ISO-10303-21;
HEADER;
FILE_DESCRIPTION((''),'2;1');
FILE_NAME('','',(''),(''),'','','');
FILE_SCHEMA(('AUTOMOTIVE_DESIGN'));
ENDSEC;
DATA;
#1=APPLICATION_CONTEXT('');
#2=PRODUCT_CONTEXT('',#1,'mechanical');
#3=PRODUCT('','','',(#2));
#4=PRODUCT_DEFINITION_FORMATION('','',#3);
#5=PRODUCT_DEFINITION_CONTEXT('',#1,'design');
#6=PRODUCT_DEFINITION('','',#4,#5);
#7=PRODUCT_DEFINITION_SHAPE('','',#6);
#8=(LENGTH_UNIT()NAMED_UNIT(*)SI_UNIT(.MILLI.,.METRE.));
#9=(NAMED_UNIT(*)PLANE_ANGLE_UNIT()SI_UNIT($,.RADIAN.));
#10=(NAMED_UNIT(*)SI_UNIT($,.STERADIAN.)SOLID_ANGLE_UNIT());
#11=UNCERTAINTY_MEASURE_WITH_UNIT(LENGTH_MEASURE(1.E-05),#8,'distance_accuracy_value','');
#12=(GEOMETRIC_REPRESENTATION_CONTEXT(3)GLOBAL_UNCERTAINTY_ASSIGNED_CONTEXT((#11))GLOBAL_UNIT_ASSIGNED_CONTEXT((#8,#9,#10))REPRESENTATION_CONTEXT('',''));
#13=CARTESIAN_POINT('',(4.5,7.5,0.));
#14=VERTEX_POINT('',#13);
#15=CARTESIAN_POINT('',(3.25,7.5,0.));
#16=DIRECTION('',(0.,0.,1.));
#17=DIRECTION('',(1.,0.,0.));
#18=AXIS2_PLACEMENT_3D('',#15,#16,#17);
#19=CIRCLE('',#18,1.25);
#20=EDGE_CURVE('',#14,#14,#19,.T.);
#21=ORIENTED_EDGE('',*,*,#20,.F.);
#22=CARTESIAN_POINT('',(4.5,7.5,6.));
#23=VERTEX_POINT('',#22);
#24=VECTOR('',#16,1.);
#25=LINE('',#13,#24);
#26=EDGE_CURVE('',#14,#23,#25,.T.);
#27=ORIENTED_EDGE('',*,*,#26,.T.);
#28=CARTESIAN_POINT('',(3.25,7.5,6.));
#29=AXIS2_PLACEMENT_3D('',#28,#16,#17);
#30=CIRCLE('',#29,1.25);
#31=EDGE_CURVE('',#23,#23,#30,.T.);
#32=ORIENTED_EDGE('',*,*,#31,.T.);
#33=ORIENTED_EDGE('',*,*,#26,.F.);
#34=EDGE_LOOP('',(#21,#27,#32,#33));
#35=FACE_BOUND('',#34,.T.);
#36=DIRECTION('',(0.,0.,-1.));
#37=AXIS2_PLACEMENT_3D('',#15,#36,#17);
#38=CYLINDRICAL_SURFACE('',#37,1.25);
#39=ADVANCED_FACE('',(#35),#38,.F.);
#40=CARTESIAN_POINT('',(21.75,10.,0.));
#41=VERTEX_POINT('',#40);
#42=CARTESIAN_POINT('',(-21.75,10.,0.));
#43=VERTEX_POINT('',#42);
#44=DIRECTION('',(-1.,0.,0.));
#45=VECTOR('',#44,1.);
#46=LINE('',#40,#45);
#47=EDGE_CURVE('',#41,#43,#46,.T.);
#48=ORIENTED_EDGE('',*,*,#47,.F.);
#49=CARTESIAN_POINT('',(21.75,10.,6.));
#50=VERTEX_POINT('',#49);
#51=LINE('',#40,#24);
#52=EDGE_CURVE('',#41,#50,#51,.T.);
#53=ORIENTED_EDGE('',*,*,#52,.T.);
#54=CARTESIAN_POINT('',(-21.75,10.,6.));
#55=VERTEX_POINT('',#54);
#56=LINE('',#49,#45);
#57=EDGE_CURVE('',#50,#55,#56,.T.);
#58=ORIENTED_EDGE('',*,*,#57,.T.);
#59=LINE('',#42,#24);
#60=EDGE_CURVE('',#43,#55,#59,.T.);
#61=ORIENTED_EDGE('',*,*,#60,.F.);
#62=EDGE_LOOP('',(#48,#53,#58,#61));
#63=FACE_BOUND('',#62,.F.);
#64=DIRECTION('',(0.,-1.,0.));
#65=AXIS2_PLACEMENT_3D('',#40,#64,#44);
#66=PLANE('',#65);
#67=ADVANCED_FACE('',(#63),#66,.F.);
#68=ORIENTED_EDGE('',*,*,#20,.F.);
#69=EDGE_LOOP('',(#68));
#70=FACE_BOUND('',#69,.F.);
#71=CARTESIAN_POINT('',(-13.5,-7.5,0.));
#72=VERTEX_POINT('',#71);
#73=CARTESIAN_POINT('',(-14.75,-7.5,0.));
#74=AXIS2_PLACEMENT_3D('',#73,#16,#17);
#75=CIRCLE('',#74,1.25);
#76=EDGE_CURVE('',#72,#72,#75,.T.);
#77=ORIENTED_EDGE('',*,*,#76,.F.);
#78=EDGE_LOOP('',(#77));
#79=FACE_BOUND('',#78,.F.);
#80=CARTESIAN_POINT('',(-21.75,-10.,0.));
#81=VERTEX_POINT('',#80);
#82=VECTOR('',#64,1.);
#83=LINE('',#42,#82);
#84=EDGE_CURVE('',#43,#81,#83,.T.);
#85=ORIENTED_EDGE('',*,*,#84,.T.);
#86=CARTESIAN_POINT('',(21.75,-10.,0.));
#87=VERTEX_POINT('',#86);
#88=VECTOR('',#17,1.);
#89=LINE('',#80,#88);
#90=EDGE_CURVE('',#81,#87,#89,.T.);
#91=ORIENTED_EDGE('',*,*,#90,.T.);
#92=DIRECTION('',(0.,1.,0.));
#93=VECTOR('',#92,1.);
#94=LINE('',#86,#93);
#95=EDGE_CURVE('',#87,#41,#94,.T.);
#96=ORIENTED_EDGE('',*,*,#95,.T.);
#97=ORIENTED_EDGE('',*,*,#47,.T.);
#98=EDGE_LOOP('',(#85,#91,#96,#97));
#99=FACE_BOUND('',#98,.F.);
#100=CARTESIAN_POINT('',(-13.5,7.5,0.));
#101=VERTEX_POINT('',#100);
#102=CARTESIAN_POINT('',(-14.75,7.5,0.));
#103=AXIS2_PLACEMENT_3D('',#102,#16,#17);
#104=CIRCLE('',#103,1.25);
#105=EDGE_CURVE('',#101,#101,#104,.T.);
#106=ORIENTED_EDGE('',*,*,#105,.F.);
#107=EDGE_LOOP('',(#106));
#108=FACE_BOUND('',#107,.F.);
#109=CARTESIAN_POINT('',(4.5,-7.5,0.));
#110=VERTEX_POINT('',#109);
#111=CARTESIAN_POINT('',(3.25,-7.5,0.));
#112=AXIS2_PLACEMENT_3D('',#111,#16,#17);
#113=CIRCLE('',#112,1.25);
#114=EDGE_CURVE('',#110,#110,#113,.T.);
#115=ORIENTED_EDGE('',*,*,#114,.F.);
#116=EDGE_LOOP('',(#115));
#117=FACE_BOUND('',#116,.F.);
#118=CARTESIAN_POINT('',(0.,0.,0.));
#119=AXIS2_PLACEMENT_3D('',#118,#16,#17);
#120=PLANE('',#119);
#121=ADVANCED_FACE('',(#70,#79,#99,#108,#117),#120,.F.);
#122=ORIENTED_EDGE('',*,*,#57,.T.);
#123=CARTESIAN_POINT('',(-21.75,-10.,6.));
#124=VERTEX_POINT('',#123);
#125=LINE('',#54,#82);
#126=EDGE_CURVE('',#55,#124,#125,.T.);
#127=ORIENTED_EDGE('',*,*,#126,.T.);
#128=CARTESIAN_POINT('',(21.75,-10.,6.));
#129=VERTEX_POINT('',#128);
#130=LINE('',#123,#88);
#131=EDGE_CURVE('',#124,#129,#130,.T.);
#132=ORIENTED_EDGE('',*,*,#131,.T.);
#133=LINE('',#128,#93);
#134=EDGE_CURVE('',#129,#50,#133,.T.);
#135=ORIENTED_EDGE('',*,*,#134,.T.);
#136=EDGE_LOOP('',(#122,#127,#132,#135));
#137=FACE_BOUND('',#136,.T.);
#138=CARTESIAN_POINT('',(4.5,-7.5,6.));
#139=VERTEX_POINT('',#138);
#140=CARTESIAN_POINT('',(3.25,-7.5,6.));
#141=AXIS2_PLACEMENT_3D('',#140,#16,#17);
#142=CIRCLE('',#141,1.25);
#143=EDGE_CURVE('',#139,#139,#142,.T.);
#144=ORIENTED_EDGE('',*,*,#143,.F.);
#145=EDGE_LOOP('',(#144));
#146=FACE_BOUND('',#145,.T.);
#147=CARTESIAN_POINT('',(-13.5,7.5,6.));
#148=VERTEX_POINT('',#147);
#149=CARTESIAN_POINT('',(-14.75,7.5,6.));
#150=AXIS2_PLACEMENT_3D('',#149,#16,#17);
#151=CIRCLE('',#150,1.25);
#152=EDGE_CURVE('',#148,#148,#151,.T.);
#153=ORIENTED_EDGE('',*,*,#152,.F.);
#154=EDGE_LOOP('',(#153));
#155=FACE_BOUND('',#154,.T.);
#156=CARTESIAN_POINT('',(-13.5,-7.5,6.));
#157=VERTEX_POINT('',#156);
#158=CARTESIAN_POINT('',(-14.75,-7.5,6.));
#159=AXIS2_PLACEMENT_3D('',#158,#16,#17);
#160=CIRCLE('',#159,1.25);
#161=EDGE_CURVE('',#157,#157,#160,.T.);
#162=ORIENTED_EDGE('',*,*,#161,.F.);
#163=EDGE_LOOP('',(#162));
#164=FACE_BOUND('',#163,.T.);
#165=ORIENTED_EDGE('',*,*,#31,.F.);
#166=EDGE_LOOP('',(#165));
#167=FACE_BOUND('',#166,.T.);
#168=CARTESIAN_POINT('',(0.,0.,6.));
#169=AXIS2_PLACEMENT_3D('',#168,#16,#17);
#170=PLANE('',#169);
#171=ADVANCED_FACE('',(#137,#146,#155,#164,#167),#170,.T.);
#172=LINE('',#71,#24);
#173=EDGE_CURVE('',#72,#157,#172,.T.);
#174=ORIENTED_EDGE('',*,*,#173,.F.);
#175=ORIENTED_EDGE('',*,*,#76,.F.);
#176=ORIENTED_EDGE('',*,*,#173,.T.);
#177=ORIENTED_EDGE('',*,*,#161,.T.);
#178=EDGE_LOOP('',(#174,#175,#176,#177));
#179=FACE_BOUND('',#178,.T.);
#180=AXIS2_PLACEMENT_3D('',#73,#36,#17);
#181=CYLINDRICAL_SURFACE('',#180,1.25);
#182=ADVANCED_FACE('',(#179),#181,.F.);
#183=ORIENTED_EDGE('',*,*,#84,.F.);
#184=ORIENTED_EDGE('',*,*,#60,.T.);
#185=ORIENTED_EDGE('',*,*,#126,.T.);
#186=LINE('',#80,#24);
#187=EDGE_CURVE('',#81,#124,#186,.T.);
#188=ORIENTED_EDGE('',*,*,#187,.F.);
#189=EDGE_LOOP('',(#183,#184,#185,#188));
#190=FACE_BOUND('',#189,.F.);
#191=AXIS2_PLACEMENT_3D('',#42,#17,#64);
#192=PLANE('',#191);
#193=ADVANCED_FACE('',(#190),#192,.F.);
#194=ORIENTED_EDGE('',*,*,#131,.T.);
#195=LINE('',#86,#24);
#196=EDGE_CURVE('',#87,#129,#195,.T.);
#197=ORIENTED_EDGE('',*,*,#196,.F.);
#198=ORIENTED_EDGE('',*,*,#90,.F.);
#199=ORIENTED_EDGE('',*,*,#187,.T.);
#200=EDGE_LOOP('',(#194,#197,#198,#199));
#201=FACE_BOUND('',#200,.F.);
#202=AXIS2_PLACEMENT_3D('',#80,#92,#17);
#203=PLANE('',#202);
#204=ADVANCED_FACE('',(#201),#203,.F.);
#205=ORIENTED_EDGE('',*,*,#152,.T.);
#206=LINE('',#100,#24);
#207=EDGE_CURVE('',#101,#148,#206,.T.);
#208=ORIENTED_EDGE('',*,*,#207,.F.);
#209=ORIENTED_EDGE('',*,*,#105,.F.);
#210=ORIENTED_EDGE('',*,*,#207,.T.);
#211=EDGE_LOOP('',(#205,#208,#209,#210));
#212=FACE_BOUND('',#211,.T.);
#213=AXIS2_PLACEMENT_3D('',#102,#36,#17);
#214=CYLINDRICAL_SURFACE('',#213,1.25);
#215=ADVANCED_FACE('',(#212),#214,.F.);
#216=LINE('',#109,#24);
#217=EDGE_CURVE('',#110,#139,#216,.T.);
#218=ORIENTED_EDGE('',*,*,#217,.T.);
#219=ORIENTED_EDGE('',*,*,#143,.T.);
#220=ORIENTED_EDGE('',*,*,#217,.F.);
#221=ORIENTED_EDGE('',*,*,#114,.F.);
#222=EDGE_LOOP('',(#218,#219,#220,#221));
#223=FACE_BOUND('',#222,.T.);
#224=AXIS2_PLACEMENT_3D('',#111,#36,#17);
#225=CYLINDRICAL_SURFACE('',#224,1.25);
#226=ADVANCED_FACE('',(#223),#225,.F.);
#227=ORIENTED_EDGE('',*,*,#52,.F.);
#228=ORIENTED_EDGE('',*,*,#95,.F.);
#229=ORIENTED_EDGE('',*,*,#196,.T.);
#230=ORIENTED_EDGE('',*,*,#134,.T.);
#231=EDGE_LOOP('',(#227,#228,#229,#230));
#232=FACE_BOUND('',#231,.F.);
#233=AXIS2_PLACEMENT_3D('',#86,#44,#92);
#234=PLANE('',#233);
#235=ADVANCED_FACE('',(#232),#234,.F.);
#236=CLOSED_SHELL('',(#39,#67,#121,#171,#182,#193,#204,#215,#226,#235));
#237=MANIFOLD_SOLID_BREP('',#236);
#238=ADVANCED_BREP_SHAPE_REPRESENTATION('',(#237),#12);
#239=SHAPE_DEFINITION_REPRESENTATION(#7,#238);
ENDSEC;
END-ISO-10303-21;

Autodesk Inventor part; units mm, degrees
ref_plane "YZ Plane" through (0, 0, 0) normal (1, 0, 0) x (0, 1, 0)
ref_plane "XZ Plane" through (0, 0, 0) normal (0, 1, 0) x (-1, 0, 0)
ref_plane "XY Plane" through (0, 0, 0) normal (0, 0, 1) x (1, 0, 0)
sketch "스케치1" plane through (0, 0, 0) normal (0, 0, 1) x (1, 0, 0)
  line L0 (-21.75, -10) -> (21.75, -10)
  line L1 (21.75, -10) -> (21.75, 10)
  line L2 (21.75, 10) -> (-21.75, 10)
  line L3 (-21.75, 10) -> (-21.75, -10)
  line L4 (-21.75, -10) -> (21.75, 10) construction
  line L5 (21.75, -10) -> (-21.75, 10) construction
  circle A0 centre (-14.75, -7.5) radius 1.25
  circle A1 centre (3.25, -7.5) radius 1.25
  circle A2 centre (-14.75, 7.5) radius 1.25
  circle A3 centre (3.25, 7.5) radius 1.25
  point P0 (0, 0)
  dimension "d0" = 43.5
  dimension "d1" = 20
  dimension "d4" = 2.5
  dimension "d5" = 2.5
  dimension "d6" = 7
  dimension "d9" = 18
  dimension "d12" = 15
extrude "돌출1" add sketch "스케치1" along normal blind 6
properties part number "SAFRS-P-0032"
